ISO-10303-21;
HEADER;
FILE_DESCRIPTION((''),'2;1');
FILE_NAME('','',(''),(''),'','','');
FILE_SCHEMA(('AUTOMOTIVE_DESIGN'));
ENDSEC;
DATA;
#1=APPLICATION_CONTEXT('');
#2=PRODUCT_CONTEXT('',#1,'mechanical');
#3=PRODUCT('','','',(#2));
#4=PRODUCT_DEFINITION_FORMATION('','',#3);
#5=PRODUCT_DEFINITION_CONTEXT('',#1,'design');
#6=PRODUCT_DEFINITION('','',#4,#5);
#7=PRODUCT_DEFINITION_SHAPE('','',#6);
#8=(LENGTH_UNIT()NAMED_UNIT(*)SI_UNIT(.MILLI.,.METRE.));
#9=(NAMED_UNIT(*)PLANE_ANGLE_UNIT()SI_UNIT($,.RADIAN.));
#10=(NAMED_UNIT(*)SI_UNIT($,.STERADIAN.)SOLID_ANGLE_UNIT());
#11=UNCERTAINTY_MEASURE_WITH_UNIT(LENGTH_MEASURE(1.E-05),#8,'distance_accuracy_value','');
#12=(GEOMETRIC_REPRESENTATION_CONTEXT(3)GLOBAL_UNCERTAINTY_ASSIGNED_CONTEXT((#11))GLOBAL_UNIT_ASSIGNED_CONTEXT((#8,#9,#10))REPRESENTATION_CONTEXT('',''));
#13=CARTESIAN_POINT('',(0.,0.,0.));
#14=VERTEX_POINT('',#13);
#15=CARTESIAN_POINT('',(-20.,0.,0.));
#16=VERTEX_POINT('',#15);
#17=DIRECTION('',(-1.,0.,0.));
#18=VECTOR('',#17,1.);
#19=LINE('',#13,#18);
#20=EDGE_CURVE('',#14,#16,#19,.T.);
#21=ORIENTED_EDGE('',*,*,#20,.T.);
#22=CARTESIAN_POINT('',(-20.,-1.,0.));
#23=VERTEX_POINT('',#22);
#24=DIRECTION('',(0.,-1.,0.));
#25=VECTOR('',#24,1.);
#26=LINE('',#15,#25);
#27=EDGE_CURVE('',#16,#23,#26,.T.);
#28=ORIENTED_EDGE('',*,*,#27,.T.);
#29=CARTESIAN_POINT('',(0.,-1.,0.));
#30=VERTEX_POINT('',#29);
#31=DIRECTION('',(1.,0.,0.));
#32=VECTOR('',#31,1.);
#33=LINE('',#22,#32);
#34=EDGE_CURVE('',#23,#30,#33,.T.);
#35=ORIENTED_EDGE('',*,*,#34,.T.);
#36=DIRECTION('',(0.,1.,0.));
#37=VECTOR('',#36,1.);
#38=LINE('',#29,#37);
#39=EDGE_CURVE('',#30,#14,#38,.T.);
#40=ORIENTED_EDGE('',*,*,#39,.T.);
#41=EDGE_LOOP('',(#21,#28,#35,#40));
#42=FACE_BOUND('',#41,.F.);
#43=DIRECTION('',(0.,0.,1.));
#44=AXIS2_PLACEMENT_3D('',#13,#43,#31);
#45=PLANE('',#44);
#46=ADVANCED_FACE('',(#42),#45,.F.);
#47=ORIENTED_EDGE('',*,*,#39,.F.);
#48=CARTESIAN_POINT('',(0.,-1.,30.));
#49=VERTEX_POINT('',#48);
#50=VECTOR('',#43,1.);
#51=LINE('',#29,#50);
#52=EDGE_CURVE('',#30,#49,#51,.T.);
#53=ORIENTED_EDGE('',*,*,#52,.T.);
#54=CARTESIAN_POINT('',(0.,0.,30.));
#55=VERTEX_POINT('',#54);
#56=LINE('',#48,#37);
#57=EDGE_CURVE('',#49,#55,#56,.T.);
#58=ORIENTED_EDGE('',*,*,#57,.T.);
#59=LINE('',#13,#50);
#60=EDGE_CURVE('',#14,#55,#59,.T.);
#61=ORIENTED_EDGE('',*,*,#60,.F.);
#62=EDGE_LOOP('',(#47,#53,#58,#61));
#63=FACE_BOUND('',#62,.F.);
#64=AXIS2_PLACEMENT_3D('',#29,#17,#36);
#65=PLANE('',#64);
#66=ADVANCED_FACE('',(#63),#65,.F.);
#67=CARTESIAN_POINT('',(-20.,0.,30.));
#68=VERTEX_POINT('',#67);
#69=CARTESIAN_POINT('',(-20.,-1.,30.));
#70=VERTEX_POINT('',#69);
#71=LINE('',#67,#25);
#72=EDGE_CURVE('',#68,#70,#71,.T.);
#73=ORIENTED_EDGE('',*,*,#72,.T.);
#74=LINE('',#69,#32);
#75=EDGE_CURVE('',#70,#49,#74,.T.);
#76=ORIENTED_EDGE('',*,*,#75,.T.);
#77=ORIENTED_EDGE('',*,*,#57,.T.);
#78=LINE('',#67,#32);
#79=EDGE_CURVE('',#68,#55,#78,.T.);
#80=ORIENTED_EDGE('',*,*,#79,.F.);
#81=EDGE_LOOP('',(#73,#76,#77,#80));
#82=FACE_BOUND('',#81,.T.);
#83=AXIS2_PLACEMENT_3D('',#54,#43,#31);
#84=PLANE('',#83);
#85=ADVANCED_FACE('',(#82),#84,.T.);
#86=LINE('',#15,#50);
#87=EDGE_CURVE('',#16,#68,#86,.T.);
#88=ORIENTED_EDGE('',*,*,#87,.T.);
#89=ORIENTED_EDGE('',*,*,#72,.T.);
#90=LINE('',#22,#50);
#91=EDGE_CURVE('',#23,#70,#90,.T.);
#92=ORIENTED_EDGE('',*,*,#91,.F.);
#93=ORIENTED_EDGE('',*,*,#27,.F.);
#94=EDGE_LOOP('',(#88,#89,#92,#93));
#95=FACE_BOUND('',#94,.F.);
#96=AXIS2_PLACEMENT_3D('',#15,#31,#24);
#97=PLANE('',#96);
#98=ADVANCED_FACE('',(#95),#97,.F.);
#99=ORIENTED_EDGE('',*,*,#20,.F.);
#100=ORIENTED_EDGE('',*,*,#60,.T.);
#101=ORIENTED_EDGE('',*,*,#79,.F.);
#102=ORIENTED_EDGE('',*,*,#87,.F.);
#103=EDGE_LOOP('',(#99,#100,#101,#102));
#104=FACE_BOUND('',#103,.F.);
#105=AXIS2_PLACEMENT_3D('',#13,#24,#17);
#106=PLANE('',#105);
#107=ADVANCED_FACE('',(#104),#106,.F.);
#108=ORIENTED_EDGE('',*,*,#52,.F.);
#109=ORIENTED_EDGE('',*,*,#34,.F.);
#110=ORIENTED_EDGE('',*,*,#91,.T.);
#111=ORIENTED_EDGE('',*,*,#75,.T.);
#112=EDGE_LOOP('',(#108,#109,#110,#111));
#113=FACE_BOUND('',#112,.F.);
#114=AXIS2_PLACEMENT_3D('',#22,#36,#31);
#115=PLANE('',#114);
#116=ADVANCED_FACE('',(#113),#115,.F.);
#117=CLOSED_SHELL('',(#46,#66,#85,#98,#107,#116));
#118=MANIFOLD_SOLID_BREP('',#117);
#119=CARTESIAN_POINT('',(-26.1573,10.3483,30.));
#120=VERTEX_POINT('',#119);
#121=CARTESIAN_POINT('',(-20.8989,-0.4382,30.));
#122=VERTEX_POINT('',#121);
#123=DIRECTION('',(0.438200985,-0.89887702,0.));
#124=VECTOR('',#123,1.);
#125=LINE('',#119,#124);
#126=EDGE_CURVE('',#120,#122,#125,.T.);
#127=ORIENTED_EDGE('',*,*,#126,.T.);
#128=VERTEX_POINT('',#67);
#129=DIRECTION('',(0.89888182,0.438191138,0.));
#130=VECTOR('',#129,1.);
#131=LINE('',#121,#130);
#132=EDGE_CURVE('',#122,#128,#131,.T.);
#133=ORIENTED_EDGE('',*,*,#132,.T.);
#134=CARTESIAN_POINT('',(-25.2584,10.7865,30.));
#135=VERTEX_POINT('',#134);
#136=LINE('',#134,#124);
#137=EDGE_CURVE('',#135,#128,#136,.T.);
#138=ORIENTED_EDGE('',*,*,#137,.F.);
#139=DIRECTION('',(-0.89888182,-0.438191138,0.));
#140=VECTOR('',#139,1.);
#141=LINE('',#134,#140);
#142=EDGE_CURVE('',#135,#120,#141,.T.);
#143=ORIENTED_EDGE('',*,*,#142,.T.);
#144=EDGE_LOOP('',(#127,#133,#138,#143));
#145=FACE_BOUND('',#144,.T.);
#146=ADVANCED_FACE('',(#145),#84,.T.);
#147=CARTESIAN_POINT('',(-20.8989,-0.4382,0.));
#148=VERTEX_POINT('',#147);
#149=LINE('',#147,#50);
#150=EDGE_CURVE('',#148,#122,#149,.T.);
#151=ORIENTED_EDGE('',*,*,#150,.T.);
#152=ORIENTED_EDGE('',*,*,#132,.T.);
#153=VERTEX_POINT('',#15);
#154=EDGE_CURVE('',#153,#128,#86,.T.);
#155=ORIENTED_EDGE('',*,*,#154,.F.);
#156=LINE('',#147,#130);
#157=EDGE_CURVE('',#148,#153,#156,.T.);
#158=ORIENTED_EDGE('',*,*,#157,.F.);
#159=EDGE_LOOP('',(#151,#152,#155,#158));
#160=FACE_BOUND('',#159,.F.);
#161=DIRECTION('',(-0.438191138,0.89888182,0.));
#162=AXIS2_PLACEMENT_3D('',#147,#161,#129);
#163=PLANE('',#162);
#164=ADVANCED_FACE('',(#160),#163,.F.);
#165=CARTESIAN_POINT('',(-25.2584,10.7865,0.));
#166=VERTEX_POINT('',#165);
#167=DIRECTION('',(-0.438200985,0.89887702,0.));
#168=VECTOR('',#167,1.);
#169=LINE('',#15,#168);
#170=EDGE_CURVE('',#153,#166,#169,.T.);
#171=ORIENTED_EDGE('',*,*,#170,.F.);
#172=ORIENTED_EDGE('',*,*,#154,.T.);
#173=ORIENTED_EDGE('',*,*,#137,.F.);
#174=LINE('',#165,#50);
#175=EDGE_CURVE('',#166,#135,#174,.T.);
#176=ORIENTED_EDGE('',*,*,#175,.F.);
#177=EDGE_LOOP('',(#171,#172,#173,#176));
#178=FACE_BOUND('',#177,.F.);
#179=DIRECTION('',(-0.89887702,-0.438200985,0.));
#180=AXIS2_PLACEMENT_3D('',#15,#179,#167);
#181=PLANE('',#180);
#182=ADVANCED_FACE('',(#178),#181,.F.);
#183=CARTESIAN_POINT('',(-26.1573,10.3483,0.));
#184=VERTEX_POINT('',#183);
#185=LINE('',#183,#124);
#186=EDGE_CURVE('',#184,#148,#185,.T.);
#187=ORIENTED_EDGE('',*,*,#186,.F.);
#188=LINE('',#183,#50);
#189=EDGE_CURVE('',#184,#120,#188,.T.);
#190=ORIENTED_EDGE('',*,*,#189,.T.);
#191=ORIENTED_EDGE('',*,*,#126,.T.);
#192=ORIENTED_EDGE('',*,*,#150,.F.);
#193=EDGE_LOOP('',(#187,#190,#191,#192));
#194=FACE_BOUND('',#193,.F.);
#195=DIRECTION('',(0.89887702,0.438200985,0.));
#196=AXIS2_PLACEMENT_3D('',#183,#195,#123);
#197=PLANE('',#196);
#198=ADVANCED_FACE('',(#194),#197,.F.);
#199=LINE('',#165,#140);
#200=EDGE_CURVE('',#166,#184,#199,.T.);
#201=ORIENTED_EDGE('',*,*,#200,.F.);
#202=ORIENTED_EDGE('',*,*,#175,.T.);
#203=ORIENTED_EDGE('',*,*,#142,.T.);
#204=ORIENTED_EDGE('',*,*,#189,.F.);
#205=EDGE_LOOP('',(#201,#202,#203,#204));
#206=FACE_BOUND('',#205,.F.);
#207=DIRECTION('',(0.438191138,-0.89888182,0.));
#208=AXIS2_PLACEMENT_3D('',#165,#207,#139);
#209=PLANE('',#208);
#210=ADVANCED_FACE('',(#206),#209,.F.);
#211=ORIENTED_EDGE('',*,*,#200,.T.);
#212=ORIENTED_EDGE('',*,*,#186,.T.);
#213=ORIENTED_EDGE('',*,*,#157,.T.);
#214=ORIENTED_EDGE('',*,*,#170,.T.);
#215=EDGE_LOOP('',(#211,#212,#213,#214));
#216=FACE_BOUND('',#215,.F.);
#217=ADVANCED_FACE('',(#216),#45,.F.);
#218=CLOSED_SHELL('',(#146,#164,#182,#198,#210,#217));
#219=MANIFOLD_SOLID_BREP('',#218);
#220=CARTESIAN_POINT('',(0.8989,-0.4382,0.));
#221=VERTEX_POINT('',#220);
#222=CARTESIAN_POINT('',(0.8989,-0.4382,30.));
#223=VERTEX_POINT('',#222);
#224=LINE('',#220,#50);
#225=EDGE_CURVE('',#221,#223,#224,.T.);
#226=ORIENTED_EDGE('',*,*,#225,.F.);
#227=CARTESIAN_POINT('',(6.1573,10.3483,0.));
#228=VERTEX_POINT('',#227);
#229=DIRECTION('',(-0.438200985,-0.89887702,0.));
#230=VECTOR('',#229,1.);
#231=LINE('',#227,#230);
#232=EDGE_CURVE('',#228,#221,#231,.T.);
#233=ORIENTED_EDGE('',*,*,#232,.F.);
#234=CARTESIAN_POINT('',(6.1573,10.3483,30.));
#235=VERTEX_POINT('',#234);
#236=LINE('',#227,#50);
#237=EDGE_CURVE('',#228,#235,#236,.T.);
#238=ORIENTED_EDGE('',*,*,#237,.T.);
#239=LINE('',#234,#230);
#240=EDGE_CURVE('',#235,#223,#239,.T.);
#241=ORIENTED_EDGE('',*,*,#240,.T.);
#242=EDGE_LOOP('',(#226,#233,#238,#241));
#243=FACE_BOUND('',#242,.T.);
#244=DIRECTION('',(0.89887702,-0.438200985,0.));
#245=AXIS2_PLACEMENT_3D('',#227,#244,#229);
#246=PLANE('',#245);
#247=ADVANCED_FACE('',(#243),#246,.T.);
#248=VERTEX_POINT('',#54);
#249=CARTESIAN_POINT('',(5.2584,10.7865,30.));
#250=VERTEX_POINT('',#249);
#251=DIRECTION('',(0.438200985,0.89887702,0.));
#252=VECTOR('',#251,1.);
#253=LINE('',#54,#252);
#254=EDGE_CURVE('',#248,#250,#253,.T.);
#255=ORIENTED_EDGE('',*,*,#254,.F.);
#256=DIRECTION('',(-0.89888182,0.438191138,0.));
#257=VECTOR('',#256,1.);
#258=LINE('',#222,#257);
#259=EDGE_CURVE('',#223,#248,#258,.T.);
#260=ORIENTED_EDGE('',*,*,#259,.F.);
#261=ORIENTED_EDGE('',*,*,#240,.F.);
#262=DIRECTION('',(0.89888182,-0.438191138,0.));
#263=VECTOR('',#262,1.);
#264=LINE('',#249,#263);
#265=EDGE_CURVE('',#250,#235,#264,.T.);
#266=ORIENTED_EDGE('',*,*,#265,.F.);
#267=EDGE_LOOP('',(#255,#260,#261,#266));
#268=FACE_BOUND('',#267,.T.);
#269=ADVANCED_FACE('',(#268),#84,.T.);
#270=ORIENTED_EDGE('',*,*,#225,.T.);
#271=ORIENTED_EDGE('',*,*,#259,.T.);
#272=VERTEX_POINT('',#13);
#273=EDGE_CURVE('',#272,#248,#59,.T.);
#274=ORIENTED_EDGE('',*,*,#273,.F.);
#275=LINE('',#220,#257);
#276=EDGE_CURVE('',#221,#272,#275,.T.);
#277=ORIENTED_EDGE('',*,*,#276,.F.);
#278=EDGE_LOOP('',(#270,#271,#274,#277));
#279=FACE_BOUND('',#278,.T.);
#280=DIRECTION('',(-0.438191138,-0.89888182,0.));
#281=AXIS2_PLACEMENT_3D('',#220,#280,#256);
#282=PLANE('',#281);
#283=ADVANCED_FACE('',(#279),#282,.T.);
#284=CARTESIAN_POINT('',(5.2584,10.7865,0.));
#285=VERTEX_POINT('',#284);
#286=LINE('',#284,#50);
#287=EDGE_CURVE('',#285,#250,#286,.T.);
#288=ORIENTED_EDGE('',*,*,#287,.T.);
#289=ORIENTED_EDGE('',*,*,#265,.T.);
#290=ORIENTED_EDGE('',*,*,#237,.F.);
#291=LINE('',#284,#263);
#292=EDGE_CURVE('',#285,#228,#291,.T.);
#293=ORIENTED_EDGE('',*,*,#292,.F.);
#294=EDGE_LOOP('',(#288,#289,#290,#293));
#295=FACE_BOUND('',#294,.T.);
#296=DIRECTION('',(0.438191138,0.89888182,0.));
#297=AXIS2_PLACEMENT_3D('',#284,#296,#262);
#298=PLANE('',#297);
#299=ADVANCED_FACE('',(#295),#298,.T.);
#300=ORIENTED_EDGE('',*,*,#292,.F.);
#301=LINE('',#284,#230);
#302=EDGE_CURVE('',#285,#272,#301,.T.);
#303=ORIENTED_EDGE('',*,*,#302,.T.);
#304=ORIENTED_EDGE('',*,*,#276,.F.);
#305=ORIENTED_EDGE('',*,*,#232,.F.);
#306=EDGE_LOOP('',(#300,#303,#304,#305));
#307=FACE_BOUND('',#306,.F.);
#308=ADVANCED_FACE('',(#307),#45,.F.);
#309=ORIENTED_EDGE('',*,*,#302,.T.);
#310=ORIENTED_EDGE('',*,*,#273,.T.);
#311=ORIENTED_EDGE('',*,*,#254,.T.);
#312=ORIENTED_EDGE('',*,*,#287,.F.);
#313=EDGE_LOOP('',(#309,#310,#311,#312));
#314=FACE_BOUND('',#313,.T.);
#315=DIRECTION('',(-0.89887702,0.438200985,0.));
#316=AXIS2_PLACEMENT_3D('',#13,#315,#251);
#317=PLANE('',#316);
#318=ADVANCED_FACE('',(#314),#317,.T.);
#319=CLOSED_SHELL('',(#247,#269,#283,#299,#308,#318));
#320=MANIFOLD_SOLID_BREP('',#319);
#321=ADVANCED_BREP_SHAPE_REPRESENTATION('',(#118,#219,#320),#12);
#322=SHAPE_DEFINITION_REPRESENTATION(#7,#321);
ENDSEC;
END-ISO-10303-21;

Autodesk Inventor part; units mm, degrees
ref_plane "YZ Plane" through (0, 0, 0) normal (1, 0, 0) x (0, 1, 0)
ref_plane "XZ Plane" through (0, 0, 0) normal (0, 1, 0) x (-1, 0, 0)
ref_plane "XY Plane" through (0, 0, 0) normal (0, 0, 1) x (1, 0, 0)
sketch "Sketch1" plane through (0, 0, 0) normal (0, 0, 1) x (1, 0, 0)
  line L0 (0, 0) -> (-20, 0)
  line L1 (-20, 0) -> (-20, -1)
  line L2 (-20, -1) -> (0, -1)
  line L3 (0, -1) -> (0, 0)
  line L4 (0, 0) -> (5.2584, 10.7865)
  line L5 (5.2584, 10.7865) -> (6.1573, 10.3483)
  line L6 (6.1573, 10.3483) -> (0.8989, -0.4382)
  line L7 (0.8989, -0.4382) -> (0, 0)
  line L8 (-20, 0) -> (-25.2584, 10.7865)
  line L9 (-25.2584, 10.7865) -> (-26.1573, 10.3483)
  line L10 (-26.1573, 10.3483) -> (-20.8989, -0.4382)
  line L11 (-20.8989, -0.4382) -> (-20, 0)
  circle A0 centre (-10, 16) radius 16
  dimension "d0" = 20
  dimension "d1" = 1
  dimension "d2" = 1
  dimension "d3" = 1
  dimension "d4" = 32
  dimension "d5" = 12
  dimension "d6" = 12
extrude "Extrusion1" add sketch "Sketch1" along normal blind 30 contours L3 L2 L1 L0 | L4 L5 L6 L7 | L11 L10 L9 L8
properties part number "buttons2_PCBs"
